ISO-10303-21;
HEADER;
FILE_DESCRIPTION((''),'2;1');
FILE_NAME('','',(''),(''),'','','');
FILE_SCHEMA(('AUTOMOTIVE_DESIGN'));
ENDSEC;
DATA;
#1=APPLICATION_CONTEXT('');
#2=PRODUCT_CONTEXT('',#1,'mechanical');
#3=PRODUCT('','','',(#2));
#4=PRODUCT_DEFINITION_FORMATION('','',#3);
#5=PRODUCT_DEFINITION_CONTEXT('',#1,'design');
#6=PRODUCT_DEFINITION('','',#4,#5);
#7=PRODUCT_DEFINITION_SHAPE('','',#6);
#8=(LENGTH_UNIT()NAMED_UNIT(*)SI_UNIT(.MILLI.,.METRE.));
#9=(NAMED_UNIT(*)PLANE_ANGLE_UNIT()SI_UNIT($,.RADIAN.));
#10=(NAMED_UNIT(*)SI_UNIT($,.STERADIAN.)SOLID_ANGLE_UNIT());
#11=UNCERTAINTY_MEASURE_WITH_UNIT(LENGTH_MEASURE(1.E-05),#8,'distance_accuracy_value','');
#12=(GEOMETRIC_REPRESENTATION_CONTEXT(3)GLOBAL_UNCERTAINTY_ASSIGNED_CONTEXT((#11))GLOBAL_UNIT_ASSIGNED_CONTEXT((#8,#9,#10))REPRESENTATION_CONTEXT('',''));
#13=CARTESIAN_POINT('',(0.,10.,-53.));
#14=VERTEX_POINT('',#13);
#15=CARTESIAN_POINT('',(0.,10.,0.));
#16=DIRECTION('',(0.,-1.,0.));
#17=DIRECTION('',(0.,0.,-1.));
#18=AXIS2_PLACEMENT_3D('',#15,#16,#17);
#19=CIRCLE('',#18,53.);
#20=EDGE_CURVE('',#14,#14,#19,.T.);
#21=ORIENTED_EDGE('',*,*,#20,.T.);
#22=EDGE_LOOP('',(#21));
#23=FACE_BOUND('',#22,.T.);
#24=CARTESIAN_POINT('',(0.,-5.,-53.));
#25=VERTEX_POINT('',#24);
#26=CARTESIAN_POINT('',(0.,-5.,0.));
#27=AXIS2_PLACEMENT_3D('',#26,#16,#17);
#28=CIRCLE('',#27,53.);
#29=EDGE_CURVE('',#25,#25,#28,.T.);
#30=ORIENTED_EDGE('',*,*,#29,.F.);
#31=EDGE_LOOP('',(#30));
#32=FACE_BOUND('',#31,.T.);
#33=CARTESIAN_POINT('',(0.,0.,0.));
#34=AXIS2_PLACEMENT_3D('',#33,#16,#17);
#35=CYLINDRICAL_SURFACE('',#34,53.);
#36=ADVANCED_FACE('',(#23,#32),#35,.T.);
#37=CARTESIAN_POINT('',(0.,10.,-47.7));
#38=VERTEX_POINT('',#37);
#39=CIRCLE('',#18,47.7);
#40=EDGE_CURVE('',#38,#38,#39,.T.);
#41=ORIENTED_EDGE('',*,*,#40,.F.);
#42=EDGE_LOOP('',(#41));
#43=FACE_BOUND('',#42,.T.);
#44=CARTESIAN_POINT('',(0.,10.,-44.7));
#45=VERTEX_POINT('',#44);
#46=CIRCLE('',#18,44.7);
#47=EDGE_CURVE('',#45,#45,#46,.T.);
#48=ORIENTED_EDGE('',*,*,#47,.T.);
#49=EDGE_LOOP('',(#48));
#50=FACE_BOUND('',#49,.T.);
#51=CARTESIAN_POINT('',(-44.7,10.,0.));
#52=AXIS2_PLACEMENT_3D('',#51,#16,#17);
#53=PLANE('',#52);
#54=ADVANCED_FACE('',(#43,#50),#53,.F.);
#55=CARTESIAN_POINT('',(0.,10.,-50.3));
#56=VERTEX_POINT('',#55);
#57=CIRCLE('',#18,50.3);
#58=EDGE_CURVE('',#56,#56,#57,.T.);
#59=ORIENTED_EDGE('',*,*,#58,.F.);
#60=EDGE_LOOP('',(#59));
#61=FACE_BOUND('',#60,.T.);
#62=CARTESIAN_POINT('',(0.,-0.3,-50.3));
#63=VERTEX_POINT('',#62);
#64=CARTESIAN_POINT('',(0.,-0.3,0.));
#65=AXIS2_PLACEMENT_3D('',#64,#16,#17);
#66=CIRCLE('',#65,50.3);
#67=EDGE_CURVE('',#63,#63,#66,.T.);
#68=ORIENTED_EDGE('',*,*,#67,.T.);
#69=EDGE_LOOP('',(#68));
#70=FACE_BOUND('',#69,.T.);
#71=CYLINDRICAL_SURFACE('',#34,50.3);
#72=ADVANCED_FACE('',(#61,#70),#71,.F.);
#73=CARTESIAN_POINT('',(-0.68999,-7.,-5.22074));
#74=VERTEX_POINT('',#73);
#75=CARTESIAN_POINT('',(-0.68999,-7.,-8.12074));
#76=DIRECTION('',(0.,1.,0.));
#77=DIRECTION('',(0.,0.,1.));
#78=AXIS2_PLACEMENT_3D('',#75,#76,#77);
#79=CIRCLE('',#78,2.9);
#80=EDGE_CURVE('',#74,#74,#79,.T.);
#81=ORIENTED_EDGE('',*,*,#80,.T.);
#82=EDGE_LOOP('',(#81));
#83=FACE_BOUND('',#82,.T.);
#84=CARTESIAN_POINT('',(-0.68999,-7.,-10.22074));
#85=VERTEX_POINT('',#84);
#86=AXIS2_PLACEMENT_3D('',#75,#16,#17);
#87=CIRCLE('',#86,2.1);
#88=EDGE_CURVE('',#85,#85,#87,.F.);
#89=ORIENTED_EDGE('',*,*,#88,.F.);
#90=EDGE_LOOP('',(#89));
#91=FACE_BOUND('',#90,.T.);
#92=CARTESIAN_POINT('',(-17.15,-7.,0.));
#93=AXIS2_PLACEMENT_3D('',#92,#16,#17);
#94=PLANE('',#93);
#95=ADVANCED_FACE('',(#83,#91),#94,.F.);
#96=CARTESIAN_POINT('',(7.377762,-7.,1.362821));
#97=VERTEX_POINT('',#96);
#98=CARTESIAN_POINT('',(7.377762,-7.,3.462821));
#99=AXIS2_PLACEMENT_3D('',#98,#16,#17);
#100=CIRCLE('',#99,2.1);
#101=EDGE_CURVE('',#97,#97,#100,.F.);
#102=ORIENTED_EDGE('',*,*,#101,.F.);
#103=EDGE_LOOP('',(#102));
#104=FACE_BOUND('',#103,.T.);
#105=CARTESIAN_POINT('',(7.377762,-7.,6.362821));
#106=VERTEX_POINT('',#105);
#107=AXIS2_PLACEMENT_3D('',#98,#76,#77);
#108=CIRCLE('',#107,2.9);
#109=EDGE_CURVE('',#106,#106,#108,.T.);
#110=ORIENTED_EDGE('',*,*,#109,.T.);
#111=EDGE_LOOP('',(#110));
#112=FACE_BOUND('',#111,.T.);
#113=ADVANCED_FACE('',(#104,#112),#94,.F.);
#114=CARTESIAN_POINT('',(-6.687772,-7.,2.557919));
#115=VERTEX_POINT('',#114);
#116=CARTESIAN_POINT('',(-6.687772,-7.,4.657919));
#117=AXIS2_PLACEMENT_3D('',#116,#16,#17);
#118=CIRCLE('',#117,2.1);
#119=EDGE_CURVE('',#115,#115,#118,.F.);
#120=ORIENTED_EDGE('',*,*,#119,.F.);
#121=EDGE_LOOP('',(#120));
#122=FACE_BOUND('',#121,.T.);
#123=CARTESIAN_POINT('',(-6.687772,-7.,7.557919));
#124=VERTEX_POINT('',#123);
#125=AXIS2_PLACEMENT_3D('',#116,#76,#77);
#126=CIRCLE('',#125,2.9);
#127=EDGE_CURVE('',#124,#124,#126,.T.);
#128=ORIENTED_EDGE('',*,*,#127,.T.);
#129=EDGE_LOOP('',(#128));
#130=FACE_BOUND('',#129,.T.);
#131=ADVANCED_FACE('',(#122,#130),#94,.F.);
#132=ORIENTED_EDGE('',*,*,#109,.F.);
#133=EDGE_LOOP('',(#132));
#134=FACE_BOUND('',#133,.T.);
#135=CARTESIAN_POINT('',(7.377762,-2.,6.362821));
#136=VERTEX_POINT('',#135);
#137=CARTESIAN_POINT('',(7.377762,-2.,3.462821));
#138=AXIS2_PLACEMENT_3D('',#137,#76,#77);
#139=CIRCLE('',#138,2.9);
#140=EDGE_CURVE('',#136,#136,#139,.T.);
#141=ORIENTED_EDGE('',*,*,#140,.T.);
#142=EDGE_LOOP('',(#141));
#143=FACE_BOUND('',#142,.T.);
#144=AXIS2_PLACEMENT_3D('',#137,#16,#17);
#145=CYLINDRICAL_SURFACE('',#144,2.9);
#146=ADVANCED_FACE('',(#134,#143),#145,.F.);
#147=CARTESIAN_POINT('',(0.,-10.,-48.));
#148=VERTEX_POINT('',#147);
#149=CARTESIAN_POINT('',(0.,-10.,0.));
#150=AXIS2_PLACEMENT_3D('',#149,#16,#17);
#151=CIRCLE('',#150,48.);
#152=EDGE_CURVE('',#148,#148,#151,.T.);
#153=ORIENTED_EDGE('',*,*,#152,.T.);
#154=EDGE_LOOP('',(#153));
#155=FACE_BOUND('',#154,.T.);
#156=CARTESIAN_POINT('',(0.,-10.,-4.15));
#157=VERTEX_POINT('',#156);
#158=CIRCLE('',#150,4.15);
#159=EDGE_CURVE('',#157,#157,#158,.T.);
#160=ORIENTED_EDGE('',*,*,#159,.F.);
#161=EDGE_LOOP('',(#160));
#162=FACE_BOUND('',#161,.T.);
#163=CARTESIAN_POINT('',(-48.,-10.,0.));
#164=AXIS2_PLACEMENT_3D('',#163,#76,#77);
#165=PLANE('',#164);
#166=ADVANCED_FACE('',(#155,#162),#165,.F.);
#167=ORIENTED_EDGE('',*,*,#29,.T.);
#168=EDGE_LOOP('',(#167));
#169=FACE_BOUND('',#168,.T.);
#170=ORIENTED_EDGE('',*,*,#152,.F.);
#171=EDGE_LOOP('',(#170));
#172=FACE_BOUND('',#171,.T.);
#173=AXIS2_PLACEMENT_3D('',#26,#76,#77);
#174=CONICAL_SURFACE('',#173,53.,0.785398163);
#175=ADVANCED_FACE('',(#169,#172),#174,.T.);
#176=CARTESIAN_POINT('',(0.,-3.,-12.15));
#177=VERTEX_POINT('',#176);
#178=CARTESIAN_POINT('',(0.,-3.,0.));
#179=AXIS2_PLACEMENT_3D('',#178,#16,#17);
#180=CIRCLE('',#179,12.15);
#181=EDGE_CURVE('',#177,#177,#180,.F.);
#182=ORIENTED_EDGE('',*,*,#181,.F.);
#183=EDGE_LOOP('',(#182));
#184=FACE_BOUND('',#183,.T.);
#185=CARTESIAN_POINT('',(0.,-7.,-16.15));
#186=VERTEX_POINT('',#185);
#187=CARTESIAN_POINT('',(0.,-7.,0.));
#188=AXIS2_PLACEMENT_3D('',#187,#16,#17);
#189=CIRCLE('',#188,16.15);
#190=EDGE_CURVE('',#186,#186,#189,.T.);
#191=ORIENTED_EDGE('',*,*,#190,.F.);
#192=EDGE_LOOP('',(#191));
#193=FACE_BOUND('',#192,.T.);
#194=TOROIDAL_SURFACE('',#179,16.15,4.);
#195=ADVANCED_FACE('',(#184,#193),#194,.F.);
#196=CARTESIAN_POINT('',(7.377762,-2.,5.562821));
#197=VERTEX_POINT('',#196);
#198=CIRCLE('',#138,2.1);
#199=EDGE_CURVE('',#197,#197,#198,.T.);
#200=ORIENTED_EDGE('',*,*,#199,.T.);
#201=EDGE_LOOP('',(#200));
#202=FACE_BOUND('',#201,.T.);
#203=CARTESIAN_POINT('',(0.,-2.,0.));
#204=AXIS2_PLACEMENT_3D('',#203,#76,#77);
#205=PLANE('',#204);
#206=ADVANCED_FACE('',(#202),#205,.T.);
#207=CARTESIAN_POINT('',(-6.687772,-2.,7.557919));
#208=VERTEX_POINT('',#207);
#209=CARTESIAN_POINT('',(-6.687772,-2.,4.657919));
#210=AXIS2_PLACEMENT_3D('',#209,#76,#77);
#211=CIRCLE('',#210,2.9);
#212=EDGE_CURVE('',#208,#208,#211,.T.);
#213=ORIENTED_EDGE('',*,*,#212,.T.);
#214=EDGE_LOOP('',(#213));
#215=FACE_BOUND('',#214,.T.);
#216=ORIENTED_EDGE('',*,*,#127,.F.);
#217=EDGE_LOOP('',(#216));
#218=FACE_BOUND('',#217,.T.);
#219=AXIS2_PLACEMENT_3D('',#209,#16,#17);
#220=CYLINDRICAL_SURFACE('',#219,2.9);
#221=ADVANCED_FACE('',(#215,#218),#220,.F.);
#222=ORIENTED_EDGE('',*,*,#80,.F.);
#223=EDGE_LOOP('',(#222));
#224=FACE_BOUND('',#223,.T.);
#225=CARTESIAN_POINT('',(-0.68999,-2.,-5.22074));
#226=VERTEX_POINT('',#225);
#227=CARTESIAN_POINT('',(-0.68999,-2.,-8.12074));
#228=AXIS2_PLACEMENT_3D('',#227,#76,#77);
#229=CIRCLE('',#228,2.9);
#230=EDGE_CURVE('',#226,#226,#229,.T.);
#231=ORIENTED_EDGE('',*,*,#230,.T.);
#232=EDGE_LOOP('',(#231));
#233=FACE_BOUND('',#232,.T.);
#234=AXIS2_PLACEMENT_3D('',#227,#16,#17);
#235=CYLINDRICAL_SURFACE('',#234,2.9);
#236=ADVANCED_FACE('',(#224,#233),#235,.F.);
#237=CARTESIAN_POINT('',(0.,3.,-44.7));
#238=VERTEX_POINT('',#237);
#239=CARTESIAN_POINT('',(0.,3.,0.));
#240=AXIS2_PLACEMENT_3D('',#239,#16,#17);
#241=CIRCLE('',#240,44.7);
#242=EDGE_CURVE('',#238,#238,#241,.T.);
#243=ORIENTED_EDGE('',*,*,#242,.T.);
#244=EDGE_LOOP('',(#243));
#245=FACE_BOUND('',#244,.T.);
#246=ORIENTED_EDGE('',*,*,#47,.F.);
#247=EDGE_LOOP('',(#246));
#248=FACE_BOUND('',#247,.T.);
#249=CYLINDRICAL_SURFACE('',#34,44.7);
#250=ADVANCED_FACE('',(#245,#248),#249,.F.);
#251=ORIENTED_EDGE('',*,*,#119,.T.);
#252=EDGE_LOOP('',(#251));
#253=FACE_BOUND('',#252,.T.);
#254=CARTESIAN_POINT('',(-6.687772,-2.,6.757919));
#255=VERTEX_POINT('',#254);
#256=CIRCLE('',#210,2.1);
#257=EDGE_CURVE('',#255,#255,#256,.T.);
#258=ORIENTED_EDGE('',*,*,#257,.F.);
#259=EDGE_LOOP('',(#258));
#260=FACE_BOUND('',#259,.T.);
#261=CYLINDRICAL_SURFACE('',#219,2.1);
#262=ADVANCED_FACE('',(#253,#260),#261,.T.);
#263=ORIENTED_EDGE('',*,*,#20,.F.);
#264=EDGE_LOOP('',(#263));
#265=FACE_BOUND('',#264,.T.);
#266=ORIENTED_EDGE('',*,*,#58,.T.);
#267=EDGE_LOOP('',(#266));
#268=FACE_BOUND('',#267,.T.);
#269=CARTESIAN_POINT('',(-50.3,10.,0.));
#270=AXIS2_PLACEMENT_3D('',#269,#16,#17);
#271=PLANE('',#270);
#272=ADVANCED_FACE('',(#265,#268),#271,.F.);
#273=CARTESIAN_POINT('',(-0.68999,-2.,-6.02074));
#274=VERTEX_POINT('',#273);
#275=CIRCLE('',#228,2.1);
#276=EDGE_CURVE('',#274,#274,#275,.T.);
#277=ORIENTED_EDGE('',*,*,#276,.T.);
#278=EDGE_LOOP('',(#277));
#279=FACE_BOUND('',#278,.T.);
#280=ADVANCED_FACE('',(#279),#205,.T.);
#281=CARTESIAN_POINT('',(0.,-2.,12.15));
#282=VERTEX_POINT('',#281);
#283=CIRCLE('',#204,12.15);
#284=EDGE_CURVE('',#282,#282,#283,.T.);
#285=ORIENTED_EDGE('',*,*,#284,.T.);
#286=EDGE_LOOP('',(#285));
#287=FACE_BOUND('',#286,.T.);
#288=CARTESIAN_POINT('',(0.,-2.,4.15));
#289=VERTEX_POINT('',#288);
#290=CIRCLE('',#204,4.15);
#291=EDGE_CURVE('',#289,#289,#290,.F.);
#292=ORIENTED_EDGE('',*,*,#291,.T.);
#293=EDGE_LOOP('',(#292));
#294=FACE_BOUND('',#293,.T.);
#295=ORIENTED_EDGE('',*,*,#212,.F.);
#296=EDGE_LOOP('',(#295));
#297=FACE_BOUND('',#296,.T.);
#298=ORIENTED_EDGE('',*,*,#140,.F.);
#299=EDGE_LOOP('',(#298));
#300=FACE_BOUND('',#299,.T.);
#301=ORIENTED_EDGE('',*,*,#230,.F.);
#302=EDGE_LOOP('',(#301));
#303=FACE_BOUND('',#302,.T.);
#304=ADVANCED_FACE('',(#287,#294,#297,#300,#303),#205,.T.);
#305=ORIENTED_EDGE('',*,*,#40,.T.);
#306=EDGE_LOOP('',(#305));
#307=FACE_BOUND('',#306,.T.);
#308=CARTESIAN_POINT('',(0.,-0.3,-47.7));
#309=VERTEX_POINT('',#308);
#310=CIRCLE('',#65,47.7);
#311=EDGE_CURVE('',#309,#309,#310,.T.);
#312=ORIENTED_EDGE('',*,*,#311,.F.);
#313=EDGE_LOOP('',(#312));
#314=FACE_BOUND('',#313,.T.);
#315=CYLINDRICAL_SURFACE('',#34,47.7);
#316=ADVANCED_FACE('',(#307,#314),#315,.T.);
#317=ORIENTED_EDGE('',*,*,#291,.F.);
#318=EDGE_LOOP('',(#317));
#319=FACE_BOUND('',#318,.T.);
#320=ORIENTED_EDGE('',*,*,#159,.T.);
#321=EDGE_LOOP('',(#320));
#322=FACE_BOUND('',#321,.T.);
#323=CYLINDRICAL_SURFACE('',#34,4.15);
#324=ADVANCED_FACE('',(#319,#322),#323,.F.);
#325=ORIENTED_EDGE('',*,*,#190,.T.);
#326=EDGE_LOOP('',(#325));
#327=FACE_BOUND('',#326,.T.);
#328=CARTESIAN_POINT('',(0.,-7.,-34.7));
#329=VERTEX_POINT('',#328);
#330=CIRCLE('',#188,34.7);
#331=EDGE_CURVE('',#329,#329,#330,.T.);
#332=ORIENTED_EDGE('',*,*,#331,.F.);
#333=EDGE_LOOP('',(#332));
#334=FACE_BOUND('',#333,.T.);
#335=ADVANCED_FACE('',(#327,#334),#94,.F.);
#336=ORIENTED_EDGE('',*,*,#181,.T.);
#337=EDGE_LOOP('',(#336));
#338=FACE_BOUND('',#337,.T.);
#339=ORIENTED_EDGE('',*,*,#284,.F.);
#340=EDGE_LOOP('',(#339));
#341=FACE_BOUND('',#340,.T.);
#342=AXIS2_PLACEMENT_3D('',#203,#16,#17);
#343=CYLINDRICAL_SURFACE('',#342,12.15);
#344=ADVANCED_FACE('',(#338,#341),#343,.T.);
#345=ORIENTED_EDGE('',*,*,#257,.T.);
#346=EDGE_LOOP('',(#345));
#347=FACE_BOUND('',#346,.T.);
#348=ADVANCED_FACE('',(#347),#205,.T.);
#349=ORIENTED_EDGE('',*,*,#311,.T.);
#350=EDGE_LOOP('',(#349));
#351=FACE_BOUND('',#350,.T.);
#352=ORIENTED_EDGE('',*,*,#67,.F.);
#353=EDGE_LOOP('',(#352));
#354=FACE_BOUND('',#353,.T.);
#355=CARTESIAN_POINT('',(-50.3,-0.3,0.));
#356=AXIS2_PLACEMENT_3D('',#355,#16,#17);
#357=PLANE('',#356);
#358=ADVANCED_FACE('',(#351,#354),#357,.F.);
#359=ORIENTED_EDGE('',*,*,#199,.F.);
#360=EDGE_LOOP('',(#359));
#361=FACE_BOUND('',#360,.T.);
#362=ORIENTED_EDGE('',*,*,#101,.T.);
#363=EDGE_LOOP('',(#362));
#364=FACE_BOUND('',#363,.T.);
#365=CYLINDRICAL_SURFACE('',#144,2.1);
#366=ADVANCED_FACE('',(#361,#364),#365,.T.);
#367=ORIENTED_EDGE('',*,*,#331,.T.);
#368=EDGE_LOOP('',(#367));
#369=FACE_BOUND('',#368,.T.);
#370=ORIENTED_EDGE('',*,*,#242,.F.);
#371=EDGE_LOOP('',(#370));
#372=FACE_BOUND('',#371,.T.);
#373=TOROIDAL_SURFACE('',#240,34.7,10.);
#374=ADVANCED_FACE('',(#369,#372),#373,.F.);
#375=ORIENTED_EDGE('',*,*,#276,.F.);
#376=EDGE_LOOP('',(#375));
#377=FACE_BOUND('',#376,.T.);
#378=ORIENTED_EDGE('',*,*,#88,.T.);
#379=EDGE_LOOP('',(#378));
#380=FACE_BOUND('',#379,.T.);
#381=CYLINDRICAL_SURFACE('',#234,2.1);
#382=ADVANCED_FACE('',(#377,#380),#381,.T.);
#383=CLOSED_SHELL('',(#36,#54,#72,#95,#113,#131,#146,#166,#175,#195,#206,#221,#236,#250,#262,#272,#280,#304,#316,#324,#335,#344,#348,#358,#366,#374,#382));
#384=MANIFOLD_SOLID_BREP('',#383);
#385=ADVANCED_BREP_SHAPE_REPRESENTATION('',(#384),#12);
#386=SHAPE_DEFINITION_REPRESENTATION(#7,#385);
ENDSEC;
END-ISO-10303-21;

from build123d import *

# Parameters (mm, degrees)
SKETCH3_R           = 23.00375504
CUT_EXTRUDE3_DEPTH  = 14.574115143
SKETCH4_R           = 12.15
SKETCH4_R_2         = 2.9
SKETCH4_R_3         = 4.15
SKETCH4_R_4         = 2.1
BOSS_EXTRUDE1_DEPTH = 5
FILLET1_R           = 4


with BuildPart() as part:
    # Sketch1 → Revolve1 (revolve)
    with BuildSketch(Plane.XY, mode=Mode.PRIVATE) as revolve1_sk:
        with BuildLine():
            Line((-50.3, 10), (-50.3, -0.3))
            Line((-50.3, -0.3), (-47.7, -0.3))
            Line((-47.7, -0.3), (-47.7, 10))
            Line((-47.7, 10), (-44.7, 10))
            Line((-44.7, 10), (-44.7, 3))
            ThreePointArc((-44.7, 3), (-41.771067812, -4.071067812), (-34.7, -7))
            Line((-34.7, -7), (-17.15, -7))
            ThreePointArc((-17.15, -7), (-10.078932188, -4.071067812), (-7.15, 3))
            Line((-7.15, 3), (-7.15, 7.574115143))
            Line((-7.15, 7.574115143), (-4.15, 7.574115143))
            Line((-4.15, 7.574115143), (-4.15, -10))
            Line((-4.15, -10), (-48, -10))
            Line((-48, -10), (-53, -5))
            Line((-53, -5), (-53, 10))
            Line((-53, 10), (-50.3, 10))
        make_face()
    revolve(revolve1_sk.sketch.rotate(Axis((0, 0, 0), (0, 1, 0)), 270), axis=Axis((0, 0, 0), (0, 1, 0)))

    # Sketch3 → Cut-Extrude3 (cut)
    with BuildSketch(Plane(origin=(0, 7.574115143, 0), x_dir=(1, 0, 0), z_dir=(0, 1, 0))):
        Circle(SKETCH3_R)
    extrude(amount=-CUT_EXTRUDE3_DEPTH, mode=Mode.SUBTRACT)

    # Sketch4 → Boss-Extrude1 (add)
    # profile 1 of 4: a face of its own
    with BuildSketch(Plane(origin=(0, -7, 0), x_dir=(1, 0, 0), z_dir=(0, 1, 0))):
        with Locations(Location((0, 0, 0), (0, 0, 90))):
            Circle(SKETCH4_R)
        with Locations(Location((7.377762048, -3.462820695, 0), (0, 0, 270))):
            Circle(SKETCH4_R_2, mode=Mode.SUBTRACT)
        with Locations(Location((-0.689990334, 8.120739704, 0), (0, 0, 270))):
            Circle(SKETCH4_R_2, mode=Mode.SUBTRACT)
        with Locations(Location((-6.687771714, -4.657919009, 0), (0, 0, 270))):
            Circle(SKETCH4_R_2, mode=Mode.SUBTRACT)
        with Locations(Location((0, 0, 0), (0, 0, 90))):
            Circle(SKETCH4_R_3, mode=Mode.SUBTRACT)
    # profile 2 of 4: a face of its own
    with BuildSketch(Plane(origin=(0, -7, 0), x_dir=(1, 0, 0), z_dir=(0, 1, 0))):
        with Locations(Location((-6.687771714, -4.657919009, 0), (0, 0, 90))):
            Circle(SKETCH4_R_4)
    # profile 3 of 4: a face of its own
    with BuildSketch(Plane(origin=(0, -7, 0), x_dir=(1, 0, 0), z_dir=(0, 1, 0))):
        with Locations(Location((7.377762048, -3.462820695, 0), (0, 0, 90))):
            Circle(SKETCH4_R_4)
    # profile 4 of 4: a face of its own
    with BuildSketch(Plane(origin=(0, -7, 0), x_dir=(1, 0, 0), z_dir=(0, 1, 0))):
        with Locations(Location((-0.689990334, 8.120739704, 0), (0, 0, 90))):
            Circle(SKETCH4_R_4)
    extrude(amount=BOSS_EXTRUDE1_DEPTH)

    # Fillet1
    fillet1_edges = [part.edges().sort_by_distance(p)[0] for p in [
        (0, -7, 12.15),
    ]]
    fillet(fillet1_edges, radius=FILLET1_R)


solid = part.part
